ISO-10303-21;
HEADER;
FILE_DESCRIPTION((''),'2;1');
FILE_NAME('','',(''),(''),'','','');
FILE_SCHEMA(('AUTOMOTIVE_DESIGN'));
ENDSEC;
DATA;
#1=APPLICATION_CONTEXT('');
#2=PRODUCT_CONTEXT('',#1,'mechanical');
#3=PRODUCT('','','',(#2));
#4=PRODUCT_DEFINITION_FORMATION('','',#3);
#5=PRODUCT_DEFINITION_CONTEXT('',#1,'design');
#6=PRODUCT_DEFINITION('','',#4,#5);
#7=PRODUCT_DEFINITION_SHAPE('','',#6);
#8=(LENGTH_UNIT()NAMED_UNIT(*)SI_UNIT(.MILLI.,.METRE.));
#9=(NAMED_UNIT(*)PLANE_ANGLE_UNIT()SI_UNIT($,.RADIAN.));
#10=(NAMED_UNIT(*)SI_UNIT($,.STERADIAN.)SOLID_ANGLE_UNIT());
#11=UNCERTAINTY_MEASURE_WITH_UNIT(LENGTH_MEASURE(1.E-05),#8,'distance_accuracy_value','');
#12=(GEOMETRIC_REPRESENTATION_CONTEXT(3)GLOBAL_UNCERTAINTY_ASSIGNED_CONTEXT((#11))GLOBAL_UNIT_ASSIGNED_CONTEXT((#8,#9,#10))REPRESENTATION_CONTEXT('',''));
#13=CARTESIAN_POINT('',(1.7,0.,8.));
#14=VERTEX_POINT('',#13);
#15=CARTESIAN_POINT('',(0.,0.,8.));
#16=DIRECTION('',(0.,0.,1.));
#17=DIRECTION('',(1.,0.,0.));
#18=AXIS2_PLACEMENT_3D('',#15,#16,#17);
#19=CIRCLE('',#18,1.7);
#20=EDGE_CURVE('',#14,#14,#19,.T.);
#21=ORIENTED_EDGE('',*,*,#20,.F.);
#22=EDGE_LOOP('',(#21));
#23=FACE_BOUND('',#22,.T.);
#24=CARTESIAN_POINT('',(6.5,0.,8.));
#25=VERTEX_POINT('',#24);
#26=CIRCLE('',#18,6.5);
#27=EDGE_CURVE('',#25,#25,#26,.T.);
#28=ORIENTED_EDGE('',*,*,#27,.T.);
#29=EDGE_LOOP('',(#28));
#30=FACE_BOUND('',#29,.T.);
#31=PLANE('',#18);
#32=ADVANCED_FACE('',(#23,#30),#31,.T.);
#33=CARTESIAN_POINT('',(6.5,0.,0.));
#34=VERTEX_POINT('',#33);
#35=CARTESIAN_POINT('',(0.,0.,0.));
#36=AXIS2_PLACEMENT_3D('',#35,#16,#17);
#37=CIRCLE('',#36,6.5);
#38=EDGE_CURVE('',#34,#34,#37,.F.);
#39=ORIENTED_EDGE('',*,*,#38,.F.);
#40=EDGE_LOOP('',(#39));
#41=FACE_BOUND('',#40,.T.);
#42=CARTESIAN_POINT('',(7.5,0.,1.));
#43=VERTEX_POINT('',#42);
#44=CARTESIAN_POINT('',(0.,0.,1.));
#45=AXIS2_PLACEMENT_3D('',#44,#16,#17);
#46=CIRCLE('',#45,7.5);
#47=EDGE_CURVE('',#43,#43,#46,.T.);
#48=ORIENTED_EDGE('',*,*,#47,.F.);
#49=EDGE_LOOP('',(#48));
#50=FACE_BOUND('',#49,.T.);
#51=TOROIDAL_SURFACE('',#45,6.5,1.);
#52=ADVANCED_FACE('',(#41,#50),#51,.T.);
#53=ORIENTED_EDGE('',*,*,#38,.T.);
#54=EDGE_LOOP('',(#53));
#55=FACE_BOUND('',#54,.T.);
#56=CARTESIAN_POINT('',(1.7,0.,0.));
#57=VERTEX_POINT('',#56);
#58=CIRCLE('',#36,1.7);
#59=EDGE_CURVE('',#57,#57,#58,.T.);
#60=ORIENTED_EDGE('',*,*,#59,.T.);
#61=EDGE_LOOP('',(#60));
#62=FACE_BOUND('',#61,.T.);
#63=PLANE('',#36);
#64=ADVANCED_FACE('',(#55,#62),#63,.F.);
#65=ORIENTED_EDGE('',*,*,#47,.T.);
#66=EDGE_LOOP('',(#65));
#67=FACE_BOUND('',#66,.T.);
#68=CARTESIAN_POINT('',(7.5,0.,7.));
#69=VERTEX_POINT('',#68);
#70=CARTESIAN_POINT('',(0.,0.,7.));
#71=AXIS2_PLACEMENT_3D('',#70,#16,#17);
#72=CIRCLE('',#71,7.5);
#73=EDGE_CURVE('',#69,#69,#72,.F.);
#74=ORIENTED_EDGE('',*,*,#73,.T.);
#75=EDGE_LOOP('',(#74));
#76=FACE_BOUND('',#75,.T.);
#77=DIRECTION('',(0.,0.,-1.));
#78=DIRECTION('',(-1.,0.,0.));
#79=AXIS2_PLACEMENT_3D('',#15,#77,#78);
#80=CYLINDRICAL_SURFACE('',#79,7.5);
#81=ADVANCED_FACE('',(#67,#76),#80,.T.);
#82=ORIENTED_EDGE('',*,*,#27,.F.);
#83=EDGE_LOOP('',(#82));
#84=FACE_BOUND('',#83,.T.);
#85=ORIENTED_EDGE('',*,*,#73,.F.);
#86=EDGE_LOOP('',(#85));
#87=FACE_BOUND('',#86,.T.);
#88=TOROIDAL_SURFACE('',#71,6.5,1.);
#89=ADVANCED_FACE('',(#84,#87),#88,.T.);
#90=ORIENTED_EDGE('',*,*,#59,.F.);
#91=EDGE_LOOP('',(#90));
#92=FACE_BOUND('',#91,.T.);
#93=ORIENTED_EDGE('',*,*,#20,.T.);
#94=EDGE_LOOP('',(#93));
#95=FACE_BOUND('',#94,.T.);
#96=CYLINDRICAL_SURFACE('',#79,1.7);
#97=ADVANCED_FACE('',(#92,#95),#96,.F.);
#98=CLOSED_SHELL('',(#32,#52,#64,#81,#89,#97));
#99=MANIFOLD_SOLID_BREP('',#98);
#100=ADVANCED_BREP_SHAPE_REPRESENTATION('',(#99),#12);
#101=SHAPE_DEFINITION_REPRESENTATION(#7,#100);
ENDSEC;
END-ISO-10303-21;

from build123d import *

# Parameters (mm, degrees)
SKETCH1_R           = 7.5
SKETCH1_R_2         = 1.7
BOSS_EXTRUDE1_DEPTH = 8
FILLET1_R           = 1


with BuildPart() as part:
    # Sketch1 → Boss-Extrude1 (new body)
    with BuildSketch(Plane.XY):
        Circle(SKETCH1_R)
        Circle(SKETCH1_R_2, mode=Mode.SUBTRACT)
    extrude(amount=BOSS_EXTRUDE1_DEPTH)

    # Fillet1
    fillet1_edges = [part.edges().sort_by_distance(p)[0] for p in [
        (-7.5, 0, 0),
        (-7.5, 0, 8),
    ]]
    fillet(fillet1_edges, radius=FILLET1_R)


solid = part.part
